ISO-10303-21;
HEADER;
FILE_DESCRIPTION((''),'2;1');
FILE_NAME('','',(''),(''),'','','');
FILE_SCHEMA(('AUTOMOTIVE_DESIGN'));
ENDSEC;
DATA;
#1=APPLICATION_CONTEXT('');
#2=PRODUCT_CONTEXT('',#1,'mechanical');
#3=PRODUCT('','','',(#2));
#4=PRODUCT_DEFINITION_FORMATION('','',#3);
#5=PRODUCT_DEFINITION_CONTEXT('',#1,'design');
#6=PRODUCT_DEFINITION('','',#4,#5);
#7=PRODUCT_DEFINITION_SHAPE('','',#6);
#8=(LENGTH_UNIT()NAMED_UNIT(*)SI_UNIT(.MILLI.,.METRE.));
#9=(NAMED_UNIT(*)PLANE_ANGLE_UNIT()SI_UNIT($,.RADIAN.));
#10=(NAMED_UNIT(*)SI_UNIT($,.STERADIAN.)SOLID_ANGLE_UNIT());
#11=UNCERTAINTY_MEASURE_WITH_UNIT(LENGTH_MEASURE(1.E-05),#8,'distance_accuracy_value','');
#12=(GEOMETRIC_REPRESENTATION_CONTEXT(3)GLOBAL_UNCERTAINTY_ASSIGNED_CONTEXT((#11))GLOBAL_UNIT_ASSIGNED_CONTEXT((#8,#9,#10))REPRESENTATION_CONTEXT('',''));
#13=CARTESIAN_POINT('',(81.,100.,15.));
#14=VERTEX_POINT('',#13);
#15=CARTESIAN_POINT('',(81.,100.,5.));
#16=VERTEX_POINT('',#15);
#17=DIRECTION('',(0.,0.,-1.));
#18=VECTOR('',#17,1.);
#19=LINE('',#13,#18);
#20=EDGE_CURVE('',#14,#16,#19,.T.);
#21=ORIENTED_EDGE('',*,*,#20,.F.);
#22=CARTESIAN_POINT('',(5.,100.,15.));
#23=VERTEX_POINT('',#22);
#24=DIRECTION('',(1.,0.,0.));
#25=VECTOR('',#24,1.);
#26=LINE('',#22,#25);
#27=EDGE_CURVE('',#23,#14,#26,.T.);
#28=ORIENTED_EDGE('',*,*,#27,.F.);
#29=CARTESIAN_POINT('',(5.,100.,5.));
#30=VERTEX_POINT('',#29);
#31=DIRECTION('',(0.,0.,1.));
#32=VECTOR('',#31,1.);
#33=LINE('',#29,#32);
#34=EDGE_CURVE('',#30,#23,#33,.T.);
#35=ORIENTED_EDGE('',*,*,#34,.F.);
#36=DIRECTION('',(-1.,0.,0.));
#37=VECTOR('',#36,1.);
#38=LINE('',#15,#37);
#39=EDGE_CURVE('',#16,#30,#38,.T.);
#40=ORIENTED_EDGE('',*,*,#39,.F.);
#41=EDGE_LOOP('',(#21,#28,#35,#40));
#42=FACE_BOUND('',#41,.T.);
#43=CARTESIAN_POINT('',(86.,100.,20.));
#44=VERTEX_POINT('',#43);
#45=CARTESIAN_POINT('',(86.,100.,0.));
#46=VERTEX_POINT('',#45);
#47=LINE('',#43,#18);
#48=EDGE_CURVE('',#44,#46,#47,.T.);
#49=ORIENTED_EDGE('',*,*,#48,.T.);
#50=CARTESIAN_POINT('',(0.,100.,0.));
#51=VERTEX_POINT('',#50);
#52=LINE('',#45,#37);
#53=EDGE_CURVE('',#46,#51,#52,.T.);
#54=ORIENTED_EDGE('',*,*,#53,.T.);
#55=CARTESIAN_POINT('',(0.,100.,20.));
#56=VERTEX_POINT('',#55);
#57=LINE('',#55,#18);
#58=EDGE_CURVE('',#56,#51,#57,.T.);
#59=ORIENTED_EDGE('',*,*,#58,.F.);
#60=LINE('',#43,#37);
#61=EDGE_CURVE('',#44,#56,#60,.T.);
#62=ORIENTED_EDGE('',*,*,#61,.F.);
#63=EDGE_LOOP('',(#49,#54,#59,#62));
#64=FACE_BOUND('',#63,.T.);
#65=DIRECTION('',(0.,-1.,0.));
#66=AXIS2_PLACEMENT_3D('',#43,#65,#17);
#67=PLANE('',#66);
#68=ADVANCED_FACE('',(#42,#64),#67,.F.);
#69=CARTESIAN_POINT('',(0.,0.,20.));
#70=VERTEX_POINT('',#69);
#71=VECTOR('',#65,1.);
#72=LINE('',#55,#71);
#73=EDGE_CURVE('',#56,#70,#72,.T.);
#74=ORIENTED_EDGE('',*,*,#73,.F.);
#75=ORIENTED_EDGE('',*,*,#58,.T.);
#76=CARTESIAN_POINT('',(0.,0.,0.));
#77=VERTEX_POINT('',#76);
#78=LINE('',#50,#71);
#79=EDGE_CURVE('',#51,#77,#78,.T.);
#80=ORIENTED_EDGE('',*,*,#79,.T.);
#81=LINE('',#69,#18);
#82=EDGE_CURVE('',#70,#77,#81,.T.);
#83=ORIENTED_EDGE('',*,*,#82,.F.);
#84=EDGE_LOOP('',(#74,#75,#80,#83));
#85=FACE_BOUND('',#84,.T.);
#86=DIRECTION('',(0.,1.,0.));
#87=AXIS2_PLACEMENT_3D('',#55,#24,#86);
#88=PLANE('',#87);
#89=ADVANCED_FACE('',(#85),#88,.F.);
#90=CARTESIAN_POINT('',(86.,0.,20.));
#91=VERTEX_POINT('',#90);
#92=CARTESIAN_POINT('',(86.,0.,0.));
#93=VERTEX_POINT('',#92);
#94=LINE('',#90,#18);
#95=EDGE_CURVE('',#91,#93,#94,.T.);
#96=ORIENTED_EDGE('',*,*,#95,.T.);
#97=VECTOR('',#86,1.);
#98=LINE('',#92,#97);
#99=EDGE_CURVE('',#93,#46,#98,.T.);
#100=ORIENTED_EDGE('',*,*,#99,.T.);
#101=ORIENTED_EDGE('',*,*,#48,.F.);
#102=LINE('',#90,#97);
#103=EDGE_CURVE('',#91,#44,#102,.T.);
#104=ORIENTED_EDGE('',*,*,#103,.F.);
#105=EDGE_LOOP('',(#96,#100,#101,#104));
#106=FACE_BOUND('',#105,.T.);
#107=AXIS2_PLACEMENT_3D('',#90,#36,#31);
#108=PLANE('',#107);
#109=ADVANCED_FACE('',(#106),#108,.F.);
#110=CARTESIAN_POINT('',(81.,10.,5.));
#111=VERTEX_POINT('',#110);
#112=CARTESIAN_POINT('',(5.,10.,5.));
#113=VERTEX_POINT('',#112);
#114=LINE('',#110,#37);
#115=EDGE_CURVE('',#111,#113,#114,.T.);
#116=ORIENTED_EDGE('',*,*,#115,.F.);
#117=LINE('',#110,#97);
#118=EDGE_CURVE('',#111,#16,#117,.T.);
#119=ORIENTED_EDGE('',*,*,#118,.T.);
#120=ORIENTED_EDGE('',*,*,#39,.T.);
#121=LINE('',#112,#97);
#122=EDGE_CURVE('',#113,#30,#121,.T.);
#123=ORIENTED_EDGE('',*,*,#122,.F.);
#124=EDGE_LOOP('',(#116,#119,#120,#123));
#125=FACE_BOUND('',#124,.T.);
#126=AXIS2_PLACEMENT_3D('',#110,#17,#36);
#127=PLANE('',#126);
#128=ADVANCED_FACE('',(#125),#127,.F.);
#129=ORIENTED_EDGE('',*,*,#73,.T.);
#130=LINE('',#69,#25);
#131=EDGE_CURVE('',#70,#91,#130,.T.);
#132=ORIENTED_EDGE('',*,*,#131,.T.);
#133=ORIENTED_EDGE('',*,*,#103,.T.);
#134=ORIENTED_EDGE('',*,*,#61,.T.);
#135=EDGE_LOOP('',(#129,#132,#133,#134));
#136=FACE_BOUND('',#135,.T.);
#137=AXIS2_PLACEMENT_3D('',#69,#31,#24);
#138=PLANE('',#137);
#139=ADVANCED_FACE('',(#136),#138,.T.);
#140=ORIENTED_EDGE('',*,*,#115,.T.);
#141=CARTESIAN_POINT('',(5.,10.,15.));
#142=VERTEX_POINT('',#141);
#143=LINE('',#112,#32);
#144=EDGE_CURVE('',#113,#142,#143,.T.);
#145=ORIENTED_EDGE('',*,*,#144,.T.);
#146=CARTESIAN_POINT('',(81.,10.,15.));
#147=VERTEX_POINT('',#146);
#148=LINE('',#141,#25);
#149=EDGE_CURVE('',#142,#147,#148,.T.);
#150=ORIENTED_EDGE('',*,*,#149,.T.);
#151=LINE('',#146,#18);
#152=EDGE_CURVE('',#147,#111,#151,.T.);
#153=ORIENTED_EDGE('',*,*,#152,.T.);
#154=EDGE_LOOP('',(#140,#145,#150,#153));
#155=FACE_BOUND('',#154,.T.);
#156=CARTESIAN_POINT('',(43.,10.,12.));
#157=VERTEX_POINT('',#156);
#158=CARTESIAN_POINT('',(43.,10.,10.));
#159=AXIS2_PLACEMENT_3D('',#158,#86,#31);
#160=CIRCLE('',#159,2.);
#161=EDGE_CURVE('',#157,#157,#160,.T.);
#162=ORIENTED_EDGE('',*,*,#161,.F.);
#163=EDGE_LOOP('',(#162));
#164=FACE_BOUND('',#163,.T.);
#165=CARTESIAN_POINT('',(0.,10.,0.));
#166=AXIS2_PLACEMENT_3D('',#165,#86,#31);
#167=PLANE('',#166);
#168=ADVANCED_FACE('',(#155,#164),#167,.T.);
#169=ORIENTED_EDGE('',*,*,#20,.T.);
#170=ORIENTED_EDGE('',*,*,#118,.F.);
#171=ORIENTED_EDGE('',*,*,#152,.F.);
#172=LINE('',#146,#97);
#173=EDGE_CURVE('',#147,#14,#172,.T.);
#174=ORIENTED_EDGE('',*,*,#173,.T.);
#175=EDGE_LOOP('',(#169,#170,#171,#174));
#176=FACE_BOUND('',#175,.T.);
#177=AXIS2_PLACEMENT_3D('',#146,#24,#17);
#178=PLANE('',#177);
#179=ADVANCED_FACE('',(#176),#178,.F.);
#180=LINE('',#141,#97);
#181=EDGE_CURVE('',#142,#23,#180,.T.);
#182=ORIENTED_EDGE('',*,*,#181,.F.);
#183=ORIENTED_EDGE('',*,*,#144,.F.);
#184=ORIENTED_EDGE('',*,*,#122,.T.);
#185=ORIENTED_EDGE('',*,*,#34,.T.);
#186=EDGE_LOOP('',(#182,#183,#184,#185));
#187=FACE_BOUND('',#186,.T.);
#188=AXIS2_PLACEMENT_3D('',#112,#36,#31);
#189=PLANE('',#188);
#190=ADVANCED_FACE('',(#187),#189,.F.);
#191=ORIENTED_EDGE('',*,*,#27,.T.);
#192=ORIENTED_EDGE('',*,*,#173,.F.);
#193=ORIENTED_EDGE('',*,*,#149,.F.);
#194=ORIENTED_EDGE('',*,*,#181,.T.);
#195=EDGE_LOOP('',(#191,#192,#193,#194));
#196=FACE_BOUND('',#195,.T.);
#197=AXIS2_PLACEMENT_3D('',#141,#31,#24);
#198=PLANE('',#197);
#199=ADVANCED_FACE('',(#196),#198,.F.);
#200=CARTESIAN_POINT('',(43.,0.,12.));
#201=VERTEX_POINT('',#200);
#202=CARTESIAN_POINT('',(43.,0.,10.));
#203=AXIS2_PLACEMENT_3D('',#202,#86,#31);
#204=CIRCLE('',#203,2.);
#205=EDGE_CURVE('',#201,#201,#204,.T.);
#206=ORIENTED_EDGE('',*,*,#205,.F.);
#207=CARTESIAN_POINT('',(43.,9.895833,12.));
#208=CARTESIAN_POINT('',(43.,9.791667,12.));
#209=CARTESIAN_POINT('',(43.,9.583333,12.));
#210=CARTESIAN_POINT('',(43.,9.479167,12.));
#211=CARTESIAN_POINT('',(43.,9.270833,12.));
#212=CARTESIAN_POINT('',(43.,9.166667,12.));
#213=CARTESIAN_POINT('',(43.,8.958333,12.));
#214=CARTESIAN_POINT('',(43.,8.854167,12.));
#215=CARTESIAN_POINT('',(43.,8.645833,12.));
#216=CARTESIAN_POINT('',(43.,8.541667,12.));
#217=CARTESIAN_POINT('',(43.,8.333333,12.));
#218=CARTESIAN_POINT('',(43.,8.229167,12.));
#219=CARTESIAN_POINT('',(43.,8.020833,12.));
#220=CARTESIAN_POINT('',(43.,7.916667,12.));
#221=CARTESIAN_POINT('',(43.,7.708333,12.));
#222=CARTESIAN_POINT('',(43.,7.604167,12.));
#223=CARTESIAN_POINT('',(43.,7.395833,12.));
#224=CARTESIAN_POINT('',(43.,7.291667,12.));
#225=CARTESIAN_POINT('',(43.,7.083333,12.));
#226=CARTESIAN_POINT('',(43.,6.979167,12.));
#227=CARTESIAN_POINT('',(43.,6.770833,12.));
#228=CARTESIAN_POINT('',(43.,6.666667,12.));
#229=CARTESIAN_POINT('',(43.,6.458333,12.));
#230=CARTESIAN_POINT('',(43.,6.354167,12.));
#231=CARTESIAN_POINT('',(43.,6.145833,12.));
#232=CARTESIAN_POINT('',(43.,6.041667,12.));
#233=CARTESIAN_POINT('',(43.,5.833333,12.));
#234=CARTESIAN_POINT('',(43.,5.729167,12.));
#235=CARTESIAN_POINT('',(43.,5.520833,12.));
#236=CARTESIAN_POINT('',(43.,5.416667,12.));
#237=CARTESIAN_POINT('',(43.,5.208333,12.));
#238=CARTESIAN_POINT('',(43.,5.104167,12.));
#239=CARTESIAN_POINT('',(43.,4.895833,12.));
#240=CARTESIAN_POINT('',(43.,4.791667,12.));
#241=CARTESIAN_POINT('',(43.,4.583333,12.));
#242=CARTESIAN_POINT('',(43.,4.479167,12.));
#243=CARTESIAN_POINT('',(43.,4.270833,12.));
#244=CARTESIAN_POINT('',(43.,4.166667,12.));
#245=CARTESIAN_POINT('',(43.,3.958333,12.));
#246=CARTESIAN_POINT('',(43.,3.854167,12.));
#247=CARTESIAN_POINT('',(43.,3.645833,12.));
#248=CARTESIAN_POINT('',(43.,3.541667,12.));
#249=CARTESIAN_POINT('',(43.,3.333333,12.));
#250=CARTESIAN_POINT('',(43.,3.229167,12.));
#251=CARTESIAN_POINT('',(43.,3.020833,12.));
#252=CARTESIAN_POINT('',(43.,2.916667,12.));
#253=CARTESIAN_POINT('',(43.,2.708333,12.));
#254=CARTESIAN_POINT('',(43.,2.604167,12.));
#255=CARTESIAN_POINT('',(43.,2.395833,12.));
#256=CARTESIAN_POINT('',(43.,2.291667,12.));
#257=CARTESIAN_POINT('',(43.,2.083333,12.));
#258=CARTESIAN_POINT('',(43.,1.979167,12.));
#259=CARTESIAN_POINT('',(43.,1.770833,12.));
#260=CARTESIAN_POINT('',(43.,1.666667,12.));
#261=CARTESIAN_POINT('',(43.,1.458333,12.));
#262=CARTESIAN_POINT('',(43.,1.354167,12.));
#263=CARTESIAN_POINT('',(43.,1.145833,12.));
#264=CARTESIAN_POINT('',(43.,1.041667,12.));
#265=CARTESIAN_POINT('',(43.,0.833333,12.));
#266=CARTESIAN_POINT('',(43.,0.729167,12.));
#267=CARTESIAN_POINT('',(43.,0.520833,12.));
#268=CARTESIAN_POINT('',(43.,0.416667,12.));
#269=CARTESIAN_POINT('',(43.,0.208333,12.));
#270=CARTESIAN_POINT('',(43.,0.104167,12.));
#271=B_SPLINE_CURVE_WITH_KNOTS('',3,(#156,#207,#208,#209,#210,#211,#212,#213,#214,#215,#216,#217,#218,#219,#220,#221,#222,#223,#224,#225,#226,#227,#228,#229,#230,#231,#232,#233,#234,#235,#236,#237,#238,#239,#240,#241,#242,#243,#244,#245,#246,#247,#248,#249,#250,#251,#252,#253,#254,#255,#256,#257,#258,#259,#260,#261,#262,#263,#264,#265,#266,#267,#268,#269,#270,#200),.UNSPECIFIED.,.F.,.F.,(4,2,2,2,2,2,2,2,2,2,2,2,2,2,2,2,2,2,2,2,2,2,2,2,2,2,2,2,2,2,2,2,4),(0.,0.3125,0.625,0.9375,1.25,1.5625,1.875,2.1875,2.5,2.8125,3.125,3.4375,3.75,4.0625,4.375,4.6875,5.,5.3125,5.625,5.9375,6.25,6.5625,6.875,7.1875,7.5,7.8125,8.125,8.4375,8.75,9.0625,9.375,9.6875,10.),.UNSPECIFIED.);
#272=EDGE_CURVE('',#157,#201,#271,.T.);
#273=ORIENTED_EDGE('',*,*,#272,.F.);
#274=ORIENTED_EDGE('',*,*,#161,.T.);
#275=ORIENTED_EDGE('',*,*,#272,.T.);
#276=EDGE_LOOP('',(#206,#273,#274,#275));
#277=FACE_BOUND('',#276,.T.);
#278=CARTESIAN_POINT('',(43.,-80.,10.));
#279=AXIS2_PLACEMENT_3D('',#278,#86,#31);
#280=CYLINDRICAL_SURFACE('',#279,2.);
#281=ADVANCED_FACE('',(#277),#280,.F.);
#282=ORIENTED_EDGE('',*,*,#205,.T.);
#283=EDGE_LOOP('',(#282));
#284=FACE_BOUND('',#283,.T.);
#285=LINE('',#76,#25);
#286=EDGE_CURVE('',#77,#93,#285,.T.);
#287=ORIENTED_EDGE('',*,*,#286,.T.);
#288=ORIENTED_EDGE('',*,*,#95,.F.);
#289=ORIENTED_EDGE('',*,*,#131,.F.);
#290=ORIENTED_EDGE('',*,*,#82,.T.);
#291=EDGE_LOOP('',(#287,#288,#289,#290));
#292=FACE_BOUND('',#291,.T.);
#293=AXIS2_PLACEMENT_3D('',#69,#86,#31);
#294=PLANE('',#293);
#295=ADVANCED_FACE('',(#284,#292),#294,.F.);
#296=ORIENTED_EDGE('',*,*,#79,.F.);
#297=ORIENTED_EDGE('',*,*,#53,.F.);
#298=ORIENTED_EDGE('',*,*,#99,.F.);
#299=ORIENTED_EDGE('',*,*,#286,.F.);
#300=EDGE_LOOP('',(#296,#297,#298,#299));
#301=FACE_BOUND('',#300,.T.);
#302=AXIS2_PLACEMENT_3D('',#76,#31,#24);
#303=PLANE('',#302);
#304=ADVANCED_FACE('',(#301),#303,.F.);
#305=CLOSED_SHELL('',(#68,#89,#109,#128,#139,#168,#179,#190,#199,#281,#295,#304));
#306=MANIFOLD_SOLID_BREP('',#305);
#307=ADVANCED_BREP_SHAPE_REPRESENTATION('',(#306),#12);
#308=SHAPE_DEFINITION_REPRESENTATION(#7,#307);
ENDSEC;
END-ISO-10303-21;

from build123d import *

# Parameters (mm, degrees)
SKETCH3_W           = 86
SKETCH3_H           = 100
BOSS_EXTRUDE1_DEPTH = 20
SKETCH5_W           = 76
SKETCH5_H           = 10
CUT_EXTRUDE1_DEPTH  = 90
SKETCH6_R           = 2
CUT_EXTRUDE2_DEPTH  = 90


with BuildPart() as part:
    # Sketch3 → Boss-Extrude1 (new body)
    with BuildSketch(Plane.XY):
        with Locations((43, 50)):
            Rectangle(SKETCH3_W, SKETCH3_H)
    extrude(amount=BOSS_EXTRUDE1_DEPTH)

    # Sketch5 → Cut-Extrude1 (cut)
    with BuildSketch(Plane(origin=(0, 100, 0), x_dir=(1, 0, 0), z_dir=(0, 1, 0))):
        with Locations((43, -10)):
            Rectangle(SKETCH5_W, SKETCH5_H)
    extrude(amount=-CUT_EXTRUDE1_DEPTH, mode=Mode.SUBTRACT)

    # Sketch6 → Cut-Extrude2 (cut)
    with BuildSketch(Plane(origin=(0, 10, 0), x_dir=(1, 0, 0), z_dir=(0, 1, 0))):
        with Locations(Location((43, -10, 0), (0, 0, 270))):
            Circle(SKETCH6_R)
    extrude(amount=-CUT_EXTRUDE2_DEPTH, mode=Mode.SUBTRACT)


solid = part.part
